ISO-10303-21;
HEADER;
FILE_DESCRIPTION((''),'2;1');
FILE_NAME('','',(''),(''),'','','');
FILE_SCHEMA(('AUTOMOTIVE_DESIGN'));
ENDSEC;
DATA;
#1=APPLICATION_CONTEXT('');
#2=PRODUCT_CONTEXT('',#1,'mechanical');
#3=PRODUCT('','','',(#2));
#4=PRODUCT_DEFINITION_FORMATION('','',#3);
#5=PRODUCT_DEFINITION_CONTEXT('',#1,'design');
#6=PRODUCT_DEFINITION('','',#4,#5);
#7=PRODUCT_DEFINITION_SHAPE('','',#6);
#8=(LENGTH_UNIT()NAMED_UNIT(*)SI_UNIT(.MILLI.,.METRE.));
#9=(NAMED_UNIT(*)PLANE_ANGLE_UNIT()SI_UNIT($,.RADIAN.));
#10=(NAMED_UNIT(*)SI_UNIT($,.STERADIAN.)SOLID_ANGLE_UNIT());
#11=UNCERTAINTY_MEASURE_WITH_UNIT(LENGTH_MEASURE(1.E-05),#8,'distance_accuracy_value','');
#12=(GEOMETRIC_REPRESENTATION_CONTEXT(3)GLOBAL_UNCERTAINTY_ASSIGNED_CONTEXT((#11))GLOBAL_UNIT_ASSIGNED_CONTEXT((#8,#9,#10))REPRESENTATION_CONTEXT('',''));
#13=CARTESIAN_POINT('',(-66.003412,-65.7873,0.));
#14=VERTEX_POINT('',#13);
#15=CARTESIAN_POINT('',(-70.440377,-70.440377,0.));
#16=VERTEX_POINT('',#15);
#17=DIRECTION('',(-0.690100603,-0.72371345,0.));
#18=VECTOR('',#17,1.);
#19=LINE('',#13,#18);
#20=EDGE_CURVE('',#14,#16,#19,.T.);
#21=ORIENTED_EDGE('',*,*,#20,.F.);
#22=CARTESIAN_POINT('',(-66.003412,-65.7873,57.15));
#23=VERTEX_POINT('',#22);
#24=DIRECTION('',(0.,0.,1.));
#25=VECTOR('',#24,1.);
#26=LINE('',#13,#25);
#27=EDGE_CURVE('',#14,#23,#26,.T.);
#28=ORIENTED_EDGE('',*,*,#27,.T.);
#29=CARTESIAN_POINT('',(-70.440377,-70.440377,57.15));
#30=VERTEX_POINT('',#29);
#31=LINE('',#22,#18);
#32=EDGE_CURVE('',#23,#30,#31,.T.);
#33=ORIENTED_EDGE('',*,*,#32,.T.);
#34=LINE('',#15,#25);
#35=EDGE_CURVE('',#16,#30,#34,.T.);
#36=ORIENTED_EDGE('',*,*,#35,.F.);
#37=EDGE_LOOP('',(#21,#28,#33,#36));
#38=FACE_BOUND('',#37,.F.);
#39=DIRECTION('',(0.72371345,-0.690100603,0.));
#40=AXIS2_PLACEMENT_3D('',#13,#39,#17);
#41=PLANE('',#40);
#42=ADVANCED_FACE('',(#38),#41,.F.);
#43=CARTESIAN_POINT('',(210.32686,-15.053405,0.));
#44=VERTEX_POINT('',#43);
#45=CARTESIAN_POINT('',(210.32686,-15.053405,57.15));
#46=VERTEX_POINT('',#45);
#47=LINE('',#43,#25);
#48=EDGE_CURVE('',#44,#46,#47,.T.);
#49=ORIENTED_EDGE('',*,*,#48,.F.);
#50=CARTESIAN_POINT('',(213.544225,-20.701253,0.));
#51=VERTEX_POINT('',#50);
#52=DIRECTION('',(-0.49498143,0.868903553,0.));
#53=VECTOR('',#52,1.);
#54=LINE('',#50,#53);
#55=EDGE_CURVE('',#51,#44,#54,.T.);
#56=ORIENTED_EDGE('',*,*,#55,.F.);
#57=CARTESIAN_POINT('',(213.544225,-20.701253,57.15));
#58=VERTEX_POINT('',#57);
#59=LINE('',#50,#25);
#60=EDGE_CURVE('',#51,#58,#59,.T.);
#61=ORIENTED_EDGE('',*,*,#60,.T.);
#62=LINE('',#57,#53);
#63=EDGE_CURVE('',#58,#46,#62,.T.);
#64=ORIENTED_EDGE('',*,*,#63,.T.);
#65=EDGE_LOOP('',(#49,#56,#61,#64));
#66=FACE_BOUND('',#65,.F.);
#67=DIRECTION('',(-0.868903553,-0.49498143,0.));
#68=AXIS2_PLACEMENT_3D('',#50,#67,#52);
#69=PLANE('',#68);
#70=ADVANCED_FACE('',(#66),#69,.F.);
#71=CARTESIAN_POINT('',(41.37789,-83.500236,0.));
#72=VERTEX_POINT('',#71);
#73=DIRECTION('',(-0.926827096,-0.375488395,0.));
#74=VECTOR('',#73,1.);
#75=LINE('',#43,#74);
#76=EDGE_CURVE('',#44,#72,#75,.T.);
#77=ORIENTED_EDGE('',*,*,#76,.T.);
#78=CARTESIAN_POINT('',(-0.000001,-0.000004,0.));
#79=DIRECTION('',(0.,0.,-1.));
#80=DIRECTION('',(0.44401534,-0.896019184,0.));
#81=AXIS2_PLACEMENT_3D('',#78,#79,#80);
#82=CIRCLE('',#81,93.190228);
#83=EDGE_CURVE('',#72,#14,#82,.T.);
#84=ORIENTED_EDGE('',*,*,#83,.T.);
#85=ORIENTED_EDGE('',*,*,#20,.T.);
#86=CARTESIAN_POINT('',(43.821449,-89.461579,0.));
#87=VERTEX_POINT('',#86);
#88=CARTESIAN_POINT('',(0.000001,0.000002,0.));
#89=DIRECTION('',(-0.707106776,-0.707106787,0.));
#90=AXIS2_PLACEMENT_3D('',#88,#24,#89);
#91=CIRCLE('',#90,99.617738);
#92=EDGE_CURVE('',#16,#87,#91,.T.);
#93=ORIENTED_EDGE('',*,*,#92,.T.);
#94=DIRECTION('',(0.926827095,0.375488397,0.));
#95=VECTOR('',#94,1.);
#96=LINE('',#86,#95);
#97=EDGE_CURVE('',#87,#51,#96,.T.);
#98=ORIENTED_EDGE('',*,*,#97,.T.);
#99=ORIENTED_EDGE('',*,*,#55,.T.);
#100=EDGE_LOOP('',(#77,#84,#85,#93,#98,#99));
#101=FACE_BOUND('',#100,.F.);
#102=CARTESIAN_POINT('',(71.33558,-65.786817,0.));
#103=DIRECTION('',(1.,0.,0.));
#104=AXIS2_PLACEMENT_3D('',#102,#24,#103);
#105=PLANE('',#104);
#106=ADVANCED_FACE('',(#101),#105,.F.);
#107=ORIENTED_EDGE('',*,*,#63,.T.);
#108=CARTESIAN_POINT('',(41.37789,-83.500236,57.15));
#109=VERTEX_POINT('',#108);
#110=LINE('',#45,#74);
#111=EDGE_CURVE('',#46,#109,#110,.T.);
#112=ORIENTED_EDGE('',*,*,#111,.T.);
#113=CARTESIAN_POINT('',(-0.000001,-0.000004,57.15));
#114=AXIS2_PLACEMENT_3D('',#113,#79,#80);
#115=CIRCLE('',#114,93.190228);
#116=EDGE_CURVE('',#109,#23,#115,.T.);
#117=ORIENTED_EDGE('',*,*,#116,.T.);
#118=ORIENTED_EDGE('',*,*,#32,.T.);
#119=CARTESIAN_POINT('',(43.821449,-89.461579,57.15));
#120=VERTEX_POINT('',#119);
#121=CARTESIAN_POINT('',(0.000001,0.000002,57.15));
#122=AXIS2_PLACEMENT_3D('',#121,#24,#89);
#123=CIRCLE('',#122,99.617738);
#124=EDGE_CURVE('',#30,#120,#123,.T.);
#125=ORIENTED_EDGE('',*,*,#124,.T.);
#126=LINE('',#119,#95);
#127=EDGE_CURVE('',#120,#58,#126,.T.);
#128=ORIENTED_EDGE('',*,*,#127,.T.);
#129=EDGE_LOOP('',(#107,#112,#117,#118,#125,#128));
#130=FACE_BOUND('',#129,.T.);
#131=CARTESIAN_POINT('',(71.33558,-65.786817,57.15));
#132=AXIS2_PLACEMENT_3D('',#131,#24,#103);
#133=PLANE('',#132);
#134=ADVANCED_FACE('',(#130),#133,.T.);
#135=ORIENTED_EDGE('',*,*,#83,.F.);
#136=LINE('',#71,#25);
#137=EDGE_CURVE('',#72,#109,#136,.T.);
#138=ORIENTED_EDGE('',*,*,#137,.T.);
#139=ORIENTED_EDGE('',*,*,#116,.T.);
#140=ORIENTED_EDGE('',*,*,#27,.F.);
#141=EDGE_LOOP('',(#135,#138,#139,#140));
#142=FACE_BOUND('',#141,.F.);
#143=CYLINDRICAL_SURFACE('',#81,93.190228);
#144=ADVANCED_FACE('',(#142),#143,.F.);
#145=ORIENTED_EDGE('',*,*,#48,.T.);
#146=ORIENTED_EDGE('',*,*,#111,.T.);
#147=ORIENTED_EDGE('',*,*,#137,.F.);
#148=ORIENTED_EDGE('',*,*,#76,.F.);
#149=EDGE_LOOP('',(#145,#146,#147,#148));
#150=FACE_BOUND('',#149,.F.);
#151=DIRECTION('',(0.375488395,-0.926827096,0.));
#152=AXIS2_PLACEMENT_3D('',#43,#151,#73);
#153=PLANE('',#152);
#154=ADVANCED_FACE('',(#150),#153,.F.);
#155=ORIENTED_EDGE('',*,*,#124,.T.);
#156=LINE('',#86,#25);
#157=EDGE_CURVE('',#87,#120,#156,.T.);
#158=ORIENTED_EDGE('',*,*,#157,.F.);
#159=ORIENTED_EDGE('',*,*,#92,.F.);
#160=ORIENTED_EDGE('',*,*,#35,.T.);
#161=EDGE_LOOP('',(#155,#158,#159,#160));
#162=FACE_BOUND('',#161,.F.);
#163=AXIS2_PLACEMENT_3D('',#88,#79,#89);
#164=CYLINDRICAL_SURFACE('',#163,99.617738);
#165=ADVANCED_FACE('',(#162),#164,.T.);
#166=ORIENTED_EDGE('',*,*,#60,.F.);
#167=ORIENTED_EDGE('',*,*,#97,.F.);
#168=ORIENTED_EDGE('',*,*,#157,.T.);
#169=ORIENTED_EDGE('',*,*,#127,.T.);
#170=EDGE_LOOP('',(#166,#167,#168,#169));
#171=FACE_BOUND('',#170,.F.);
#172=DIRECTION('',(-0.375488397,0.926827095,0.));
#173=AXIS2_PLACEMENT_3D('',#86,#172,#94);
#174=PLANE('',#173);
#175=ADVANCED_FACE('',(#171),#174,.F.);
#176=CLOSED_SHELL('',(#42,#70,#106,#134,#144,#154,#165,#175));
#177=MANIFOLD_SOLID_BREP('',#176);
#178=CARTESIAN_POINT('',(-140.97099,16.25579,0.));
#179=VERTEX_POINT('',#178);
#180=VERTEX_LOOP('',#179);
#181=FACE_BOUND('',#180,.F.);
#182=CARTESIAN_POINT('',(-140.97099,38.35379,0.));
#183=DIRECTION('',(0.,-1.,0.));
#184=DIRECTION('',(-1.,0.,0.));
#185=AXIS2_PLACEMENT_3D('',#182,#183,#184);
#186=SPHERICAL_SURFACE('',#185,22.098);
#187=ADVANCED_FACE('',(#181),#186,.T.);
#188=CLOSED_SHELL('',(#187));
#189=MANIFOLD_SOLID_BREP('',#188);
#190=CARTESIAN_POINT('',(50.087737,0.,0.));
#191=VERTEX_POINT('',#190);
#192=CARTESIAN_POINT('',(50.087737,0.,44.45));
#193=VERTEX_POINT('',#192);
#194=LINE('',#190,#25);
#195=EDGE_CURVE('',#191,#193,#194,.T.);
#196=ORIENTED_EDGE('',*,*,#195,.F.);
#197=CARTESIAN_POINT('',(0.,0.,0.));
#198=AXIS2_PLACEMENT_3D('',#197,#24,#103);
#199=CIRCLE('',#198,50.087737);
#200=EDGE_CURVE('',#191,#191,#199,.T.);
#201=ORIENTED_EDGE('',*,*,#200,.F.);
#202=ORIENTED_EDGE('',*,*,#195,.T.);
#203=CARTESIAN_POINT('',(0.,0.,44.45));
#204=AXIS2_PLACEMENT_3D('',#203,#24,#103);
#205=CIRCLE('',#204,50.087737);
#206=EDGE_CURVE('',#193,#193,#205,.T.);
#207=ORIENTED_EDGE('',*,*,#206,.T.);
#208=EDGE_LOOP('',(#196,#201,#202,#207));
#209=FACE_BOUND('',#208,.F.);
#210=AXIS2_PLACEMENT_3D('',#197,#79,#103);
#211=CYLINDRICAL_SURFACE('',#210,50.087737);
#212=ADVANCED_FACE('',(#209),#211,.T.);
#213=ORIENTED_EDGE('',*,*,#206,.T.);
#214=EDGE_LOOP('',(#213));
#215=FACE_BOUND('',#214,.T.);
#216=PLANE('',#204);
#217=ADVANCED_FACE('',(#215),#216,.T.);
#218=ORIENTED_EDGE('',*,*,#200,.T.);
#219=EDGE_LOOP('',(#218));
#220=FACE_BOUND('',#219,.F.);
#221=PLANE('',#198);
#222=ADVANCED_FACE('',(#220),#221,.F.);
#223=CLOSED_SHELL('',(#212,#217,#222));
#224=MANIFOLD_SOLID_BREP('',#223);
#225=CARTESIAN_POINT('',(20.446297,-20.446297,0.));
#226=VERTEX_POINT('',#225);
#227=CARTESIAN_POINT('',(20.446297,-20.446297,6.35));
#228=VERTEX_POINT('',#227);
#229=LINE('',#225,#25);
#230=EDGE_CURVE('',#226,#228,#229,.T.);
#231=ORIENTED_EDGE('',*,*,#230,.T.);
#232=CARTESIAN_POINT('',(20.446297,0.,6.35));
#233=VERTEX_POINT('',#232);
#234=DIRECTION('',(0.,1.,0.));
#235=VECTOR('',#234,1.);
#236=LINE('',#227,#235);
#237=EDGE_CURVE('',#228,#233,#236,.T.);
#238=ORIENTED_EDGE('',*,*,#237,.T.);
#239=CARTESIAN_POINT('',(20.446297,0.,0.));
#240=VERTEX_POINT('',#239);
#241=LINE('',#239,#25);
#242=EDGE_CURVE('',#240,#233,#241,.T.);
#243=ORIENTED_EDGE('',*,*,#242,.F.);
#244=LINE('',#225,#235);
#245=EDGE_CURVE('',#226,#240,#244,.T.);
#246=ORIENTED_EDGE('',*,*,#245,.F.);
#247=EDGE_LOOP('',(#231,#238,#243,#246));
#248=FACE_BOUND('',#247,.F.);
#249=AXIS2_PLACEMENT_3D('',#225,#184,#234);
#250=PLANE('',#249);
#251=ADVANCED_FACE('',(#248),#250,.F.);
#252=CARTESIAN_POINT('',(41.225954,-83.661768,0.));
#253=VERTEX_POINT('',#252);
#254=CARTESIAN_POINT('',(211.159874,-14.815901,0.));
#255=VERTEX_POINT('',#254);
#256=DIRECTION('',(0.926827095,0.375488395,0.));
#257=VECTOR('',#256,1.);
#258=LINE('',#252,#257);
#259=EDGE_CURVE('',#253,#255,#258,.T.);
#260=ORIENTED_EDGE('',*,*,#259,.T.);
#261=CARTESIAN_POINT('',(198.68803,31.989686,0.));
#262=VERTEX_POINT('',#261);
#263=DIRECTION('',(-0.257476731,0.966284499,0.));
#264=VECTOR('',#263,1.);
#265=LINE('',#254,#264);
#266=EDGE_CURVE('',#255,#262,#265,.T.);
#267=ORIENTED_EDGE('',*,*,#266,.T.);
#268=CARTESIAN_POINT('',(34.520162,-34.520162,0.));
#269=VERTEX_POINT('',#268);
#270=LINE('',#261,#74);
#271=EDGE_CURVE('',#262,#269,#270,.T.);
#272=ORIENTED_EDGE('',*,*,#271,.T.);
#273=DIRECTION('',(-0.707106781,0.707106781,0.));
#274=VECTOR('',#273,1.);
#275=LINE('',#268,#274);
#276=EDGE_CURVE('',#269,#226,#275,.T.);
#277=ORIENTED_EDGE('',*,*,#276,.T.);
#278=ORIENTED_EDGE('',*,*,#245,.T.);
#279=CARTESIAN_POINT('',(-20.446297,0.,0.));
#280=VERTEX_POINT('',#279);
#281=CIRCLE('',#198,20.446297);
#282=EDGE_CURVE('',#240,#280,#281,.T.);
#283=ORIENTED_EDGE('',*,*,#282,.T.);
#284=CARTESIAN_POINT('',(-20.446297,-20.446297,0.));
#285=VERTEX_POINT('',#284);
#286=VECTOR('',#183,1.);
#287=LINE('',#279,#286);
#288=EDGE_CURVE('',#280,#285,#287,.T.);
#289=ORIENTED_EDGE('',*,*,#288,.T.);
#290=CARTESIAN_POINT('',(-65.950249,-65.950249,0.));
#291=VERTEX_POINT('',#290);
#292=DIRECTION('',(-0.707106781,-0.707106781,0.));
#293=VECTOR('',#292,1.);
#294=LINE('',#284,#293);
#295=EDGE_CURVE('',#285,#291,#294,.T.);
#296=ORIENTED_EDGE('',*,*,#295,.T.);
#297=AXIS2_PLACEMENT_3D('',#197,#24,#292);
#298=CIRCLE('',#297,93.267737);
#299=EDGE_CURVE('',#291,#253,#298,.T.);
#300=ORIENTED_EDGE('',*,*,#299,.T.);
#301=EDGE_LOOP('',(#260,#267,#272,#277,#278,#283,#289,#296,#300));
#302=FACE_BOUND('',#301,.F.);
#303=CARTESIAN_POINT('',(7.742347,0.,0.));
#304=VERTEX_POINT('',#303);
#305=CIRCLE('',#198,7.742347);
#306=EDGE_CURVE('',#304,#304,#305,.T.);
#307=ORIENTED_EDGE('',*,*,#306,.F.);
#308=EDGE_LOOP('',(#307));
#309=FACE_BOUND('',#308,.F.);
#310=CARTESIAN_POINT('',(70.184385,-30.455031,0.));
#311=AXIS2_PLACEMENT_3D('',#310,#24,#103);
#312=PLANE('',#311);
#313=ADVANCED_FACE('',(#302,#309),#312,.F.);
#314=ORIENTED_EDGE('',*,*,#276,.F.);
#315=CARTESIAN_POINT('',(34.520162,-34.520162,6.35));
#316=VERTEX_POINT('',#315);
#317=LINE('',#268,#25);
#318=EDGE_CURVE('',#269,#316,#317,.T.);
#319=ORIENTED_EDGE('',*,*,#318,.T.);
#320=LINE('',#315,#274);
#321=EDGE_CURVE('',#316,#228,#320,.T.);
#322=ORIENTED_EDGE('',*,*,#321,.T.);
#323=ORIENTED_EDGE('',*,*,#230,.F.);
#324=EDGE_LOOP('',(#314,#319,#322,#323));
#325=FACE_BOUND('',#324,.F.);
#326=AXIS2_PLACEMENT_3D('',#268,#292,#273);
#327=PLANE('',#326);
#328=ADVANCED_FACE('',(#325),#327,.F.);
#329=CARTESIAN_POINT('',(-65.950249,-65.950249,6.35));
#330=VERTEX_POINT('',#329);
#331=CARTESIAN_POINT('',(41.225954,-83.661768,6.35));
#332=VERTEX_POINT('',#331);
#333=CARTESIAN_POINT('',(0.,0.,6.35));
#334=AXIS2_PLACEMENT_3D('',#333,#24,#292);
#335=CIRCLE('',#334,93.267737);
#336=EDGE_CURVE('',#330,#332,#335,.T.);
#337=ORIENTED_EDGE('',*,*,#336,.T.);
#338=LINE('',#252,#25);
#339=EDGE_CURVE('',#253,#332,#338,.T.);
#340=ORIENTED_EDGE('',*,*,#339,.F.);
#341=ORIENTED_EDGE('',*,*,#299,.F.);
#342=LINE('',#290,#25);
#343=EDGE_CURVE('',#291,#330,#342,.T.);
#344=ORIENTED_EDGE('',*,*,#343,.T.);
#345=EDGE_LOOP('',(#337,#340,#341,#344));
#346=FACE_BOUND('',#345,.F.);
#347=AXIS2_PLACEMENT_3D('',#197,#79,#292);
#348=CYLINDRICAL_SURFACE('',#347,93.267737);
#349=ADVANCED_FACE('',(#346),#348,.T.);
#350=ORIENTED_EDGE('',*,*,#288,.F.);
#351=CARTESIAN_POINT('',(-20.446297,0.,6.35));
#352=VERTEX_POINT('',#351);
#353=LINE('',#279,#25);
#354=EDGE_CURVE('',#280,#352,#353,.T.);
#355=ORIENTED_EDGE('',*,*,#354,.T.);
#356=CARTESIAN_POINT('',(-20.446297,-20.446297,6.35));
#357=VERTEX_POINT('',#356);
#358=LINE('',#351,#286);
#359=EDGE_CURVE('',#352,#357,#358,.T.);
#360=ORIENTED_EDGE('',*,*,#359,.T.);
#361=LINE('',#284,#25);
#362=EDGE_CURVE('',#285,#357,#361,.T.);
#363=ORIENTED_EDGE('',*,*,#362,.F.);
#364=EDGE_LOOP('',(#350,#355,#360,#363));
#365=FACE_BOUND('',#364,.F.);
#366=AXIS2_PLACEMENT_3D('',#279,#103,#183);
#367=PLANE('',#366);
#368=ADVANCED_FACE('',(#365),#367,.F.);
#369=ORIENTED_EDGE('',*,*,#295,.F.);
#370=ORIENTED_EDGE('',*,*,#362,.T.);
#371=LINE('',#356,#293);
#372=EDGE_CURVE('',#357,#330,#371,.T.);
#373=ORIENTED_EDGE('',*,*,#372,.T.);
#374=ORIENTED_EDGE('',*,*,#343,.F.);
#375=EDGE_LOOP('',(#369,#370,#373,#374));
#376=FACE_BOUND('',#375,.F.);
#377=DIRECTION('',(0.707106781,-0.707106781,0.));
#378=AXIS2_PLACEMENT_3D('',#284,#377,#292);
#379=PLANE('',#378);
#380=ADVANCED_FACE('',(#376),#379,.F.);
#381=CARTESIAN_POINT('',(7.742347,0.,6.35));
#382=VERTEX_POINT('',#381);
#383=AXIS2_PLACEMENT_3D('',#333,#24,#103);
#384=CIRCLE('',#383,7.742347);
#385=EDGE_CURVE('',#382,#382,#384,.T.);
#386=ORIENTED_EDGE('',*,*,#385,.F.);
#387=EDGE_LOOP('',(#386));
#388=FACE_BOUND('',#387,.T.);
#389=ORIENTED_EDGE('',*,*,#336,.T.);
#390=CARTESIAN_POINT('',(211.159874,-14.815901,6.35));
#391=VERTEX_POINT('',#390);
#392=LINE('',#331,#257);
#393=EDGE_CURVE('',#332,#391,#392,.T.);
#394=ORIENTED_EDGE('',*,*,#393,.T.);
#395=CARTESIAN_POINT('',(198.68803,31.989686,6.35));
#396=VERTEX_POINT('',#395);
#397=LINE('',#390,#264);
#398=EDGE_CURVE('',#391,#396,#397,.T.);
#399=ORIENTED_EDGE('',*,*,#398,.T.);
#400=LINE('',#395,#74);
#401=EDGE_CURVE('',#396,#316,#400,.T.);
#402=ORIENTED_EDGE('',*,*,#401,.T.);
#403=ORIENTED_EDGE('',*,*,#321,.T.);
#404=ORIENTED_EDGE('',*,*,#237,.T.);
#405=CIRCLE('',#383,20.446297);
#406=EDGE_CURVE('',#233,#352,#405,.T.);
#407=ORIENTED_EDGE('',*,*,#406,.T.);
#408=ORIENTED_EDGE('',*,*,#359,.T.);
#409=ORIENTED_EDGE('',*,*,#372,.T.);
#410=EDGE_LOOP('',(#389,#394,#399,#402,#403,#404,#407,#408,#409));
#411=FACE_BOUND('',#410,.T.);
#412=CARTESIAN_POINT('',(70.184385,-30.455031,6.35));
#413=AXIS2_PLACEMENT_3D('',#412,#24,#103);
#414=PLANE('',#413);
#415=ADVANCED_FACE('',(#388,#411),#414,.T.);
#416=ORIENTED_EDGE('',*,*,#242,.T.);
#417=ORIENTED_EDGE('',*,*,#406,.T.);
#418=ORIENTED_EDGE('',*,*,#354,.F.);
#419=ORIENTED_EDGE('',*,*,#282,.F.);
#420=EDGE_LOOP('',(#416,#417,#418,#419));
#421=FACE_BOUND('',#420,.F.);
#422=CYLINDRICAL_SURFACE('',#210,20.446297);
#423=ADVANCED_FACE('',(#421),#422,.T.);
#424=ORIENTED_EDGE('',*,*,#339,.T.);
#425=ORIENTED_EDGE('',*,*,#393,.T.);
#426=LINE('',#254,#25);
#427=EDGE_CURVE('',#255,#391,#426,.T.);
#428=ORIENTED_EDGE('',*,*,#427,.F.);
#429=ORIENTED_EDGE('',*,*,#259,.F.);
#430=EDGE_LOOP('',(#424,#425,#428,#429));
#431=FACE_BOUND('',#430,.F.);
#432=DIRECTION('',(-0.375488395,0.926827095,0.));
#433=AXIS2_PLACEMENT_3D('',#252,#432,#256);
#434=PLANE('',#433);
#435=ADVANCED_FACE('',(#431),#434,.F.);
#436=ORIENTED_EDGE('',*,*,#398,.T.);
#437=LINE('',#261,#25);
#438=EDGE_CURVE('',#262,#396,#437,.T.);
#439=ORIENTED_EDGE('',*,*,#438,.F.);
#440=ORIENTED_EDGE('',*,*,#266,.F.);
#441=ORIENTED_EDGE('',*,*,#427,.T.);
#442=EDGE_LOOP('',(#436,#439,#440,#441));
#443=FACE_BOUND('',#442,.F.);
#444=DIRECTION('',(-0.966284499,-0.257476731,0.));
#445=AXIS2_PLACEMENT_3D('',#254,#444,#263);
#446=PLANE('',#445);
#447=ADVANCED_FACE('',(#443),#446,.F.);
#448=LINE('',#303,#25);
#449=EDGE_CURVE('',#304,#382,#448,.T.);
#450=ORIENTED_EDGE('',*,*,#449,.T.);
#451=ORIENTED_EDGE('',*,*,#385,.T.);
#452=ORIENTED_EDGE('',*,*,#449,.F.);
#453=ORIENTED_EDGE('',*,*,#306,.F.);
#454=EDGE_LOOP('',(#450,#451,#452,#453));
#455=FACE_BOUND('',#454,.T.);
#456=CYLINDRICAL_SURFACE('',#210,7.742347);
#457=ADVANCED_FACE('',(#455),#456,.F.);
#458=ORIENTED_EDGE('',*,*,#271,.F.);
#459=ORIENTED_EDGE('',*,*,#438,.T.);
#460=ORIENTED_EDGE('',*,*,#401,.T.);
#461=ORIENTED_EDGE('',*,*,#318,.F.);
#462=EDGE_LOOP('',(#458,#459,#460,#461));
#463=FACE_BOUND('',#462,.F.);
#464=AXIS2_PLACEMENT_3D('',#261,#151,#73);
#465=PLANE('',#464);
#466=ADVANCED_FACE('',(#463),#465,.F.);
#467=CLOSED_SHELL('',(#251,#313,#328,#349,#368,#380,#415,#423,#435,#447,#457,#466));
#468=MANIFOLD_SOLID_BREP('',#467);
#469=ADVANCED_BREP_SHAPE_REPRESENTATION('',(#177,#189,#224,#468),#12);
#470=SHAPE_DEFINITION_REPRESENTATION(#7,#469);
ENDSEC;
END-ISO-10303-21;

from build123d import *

# Parameters (mm, degrees)
F0_R     = 50.087737
F1_DEPTH = 44.45
F2_R     = 7.742347
F3_DEPTH = 6.35
F5_DEPTH = 57.15


with BuildPart() as f1:
    # F0 (on Top) → F1 (new body)
    with BuildSketch(Plane.XY):
        Circle(F0_R)
    extrude(amount=F1_DEPTH)


with BuildPart() as f3:
    # F2 (on Top) → F3 (new body)
    with BuildSketch(Plane.XY):
        with BuildLine():
            Line((-20.446297, -20.446297), (-65.950249, -65.950249))
            ThreePointArc((-65.950249, -65.950249), (-15.206813, -92.019691), (41.225954, -83.661768))
            Line((41.225954, -83.661768), (211.159874, -14.815901))
            Line((211.159874, -14.815901), (198.68803, 31.989686))
            Line((198.68803, 31.989686), (34.520162, -34.520162))
            Line((34.520162, -34.520162), (20.446297, -20.446297))
            Line((20.446297, -20.446297), (20.446297, 0))
            ThreePointArc((20.446297, 0), (0, 20.446297), (-20.446297, 0))
            Line((-20.446297, 0), (-20.446297, -20.446297))
        make_face()
        Circle(F2_R, mode=Mode.SUBTRACT)
    extrude(amount=F3_DEPTH)


with BuildPart() as f5:
    # F4 (on Top) → F5 (new body)
    with BuildSketch(Plane.XY):
        with BuildLine():
            Line((43.821449, -89.461579), (213.544225, -20.701253))
            Line((213.544225, -20.701253), (210.32686, -15.053405))
            Line((210.32686, -15.053405), (41.37789, -83.500236))
            ThreePointArc((41.37789, -83.500236), (-15.167106, -91.947693), (-66.003412, -65.7873))
            Line((-66.003412, -65.7873), (-70.440377, -70.440377))
            ThreePointArc((-70.440377, -70.440377), (-16.358281, -98.265457), (43.821449, -89.461579))
        make_face()
    extrude(amount=F5_DEPTH)


with BuildPart() as f7:
    # F6 (on Top) → F7 (revolve)
    with BuildSketch(Plane.XY):
        with BuildLine():
            Line((-140.97099, 38.35379), (-140.97099, 60.45179))
            ThreePointArc((-140.97099, 60.45179), (-163.06899, 38.35379), (-140.97099, 16.25579))
            Line((-140.97099, 16.25579), (-140.97099, 38.35379))
        make_face()
    revolve(axis=Axis((-140.97099, 49.40279, 0), (0, 1, 0)))


solid = Compound([f1.part, f3.part, f5.part, f7.part])
